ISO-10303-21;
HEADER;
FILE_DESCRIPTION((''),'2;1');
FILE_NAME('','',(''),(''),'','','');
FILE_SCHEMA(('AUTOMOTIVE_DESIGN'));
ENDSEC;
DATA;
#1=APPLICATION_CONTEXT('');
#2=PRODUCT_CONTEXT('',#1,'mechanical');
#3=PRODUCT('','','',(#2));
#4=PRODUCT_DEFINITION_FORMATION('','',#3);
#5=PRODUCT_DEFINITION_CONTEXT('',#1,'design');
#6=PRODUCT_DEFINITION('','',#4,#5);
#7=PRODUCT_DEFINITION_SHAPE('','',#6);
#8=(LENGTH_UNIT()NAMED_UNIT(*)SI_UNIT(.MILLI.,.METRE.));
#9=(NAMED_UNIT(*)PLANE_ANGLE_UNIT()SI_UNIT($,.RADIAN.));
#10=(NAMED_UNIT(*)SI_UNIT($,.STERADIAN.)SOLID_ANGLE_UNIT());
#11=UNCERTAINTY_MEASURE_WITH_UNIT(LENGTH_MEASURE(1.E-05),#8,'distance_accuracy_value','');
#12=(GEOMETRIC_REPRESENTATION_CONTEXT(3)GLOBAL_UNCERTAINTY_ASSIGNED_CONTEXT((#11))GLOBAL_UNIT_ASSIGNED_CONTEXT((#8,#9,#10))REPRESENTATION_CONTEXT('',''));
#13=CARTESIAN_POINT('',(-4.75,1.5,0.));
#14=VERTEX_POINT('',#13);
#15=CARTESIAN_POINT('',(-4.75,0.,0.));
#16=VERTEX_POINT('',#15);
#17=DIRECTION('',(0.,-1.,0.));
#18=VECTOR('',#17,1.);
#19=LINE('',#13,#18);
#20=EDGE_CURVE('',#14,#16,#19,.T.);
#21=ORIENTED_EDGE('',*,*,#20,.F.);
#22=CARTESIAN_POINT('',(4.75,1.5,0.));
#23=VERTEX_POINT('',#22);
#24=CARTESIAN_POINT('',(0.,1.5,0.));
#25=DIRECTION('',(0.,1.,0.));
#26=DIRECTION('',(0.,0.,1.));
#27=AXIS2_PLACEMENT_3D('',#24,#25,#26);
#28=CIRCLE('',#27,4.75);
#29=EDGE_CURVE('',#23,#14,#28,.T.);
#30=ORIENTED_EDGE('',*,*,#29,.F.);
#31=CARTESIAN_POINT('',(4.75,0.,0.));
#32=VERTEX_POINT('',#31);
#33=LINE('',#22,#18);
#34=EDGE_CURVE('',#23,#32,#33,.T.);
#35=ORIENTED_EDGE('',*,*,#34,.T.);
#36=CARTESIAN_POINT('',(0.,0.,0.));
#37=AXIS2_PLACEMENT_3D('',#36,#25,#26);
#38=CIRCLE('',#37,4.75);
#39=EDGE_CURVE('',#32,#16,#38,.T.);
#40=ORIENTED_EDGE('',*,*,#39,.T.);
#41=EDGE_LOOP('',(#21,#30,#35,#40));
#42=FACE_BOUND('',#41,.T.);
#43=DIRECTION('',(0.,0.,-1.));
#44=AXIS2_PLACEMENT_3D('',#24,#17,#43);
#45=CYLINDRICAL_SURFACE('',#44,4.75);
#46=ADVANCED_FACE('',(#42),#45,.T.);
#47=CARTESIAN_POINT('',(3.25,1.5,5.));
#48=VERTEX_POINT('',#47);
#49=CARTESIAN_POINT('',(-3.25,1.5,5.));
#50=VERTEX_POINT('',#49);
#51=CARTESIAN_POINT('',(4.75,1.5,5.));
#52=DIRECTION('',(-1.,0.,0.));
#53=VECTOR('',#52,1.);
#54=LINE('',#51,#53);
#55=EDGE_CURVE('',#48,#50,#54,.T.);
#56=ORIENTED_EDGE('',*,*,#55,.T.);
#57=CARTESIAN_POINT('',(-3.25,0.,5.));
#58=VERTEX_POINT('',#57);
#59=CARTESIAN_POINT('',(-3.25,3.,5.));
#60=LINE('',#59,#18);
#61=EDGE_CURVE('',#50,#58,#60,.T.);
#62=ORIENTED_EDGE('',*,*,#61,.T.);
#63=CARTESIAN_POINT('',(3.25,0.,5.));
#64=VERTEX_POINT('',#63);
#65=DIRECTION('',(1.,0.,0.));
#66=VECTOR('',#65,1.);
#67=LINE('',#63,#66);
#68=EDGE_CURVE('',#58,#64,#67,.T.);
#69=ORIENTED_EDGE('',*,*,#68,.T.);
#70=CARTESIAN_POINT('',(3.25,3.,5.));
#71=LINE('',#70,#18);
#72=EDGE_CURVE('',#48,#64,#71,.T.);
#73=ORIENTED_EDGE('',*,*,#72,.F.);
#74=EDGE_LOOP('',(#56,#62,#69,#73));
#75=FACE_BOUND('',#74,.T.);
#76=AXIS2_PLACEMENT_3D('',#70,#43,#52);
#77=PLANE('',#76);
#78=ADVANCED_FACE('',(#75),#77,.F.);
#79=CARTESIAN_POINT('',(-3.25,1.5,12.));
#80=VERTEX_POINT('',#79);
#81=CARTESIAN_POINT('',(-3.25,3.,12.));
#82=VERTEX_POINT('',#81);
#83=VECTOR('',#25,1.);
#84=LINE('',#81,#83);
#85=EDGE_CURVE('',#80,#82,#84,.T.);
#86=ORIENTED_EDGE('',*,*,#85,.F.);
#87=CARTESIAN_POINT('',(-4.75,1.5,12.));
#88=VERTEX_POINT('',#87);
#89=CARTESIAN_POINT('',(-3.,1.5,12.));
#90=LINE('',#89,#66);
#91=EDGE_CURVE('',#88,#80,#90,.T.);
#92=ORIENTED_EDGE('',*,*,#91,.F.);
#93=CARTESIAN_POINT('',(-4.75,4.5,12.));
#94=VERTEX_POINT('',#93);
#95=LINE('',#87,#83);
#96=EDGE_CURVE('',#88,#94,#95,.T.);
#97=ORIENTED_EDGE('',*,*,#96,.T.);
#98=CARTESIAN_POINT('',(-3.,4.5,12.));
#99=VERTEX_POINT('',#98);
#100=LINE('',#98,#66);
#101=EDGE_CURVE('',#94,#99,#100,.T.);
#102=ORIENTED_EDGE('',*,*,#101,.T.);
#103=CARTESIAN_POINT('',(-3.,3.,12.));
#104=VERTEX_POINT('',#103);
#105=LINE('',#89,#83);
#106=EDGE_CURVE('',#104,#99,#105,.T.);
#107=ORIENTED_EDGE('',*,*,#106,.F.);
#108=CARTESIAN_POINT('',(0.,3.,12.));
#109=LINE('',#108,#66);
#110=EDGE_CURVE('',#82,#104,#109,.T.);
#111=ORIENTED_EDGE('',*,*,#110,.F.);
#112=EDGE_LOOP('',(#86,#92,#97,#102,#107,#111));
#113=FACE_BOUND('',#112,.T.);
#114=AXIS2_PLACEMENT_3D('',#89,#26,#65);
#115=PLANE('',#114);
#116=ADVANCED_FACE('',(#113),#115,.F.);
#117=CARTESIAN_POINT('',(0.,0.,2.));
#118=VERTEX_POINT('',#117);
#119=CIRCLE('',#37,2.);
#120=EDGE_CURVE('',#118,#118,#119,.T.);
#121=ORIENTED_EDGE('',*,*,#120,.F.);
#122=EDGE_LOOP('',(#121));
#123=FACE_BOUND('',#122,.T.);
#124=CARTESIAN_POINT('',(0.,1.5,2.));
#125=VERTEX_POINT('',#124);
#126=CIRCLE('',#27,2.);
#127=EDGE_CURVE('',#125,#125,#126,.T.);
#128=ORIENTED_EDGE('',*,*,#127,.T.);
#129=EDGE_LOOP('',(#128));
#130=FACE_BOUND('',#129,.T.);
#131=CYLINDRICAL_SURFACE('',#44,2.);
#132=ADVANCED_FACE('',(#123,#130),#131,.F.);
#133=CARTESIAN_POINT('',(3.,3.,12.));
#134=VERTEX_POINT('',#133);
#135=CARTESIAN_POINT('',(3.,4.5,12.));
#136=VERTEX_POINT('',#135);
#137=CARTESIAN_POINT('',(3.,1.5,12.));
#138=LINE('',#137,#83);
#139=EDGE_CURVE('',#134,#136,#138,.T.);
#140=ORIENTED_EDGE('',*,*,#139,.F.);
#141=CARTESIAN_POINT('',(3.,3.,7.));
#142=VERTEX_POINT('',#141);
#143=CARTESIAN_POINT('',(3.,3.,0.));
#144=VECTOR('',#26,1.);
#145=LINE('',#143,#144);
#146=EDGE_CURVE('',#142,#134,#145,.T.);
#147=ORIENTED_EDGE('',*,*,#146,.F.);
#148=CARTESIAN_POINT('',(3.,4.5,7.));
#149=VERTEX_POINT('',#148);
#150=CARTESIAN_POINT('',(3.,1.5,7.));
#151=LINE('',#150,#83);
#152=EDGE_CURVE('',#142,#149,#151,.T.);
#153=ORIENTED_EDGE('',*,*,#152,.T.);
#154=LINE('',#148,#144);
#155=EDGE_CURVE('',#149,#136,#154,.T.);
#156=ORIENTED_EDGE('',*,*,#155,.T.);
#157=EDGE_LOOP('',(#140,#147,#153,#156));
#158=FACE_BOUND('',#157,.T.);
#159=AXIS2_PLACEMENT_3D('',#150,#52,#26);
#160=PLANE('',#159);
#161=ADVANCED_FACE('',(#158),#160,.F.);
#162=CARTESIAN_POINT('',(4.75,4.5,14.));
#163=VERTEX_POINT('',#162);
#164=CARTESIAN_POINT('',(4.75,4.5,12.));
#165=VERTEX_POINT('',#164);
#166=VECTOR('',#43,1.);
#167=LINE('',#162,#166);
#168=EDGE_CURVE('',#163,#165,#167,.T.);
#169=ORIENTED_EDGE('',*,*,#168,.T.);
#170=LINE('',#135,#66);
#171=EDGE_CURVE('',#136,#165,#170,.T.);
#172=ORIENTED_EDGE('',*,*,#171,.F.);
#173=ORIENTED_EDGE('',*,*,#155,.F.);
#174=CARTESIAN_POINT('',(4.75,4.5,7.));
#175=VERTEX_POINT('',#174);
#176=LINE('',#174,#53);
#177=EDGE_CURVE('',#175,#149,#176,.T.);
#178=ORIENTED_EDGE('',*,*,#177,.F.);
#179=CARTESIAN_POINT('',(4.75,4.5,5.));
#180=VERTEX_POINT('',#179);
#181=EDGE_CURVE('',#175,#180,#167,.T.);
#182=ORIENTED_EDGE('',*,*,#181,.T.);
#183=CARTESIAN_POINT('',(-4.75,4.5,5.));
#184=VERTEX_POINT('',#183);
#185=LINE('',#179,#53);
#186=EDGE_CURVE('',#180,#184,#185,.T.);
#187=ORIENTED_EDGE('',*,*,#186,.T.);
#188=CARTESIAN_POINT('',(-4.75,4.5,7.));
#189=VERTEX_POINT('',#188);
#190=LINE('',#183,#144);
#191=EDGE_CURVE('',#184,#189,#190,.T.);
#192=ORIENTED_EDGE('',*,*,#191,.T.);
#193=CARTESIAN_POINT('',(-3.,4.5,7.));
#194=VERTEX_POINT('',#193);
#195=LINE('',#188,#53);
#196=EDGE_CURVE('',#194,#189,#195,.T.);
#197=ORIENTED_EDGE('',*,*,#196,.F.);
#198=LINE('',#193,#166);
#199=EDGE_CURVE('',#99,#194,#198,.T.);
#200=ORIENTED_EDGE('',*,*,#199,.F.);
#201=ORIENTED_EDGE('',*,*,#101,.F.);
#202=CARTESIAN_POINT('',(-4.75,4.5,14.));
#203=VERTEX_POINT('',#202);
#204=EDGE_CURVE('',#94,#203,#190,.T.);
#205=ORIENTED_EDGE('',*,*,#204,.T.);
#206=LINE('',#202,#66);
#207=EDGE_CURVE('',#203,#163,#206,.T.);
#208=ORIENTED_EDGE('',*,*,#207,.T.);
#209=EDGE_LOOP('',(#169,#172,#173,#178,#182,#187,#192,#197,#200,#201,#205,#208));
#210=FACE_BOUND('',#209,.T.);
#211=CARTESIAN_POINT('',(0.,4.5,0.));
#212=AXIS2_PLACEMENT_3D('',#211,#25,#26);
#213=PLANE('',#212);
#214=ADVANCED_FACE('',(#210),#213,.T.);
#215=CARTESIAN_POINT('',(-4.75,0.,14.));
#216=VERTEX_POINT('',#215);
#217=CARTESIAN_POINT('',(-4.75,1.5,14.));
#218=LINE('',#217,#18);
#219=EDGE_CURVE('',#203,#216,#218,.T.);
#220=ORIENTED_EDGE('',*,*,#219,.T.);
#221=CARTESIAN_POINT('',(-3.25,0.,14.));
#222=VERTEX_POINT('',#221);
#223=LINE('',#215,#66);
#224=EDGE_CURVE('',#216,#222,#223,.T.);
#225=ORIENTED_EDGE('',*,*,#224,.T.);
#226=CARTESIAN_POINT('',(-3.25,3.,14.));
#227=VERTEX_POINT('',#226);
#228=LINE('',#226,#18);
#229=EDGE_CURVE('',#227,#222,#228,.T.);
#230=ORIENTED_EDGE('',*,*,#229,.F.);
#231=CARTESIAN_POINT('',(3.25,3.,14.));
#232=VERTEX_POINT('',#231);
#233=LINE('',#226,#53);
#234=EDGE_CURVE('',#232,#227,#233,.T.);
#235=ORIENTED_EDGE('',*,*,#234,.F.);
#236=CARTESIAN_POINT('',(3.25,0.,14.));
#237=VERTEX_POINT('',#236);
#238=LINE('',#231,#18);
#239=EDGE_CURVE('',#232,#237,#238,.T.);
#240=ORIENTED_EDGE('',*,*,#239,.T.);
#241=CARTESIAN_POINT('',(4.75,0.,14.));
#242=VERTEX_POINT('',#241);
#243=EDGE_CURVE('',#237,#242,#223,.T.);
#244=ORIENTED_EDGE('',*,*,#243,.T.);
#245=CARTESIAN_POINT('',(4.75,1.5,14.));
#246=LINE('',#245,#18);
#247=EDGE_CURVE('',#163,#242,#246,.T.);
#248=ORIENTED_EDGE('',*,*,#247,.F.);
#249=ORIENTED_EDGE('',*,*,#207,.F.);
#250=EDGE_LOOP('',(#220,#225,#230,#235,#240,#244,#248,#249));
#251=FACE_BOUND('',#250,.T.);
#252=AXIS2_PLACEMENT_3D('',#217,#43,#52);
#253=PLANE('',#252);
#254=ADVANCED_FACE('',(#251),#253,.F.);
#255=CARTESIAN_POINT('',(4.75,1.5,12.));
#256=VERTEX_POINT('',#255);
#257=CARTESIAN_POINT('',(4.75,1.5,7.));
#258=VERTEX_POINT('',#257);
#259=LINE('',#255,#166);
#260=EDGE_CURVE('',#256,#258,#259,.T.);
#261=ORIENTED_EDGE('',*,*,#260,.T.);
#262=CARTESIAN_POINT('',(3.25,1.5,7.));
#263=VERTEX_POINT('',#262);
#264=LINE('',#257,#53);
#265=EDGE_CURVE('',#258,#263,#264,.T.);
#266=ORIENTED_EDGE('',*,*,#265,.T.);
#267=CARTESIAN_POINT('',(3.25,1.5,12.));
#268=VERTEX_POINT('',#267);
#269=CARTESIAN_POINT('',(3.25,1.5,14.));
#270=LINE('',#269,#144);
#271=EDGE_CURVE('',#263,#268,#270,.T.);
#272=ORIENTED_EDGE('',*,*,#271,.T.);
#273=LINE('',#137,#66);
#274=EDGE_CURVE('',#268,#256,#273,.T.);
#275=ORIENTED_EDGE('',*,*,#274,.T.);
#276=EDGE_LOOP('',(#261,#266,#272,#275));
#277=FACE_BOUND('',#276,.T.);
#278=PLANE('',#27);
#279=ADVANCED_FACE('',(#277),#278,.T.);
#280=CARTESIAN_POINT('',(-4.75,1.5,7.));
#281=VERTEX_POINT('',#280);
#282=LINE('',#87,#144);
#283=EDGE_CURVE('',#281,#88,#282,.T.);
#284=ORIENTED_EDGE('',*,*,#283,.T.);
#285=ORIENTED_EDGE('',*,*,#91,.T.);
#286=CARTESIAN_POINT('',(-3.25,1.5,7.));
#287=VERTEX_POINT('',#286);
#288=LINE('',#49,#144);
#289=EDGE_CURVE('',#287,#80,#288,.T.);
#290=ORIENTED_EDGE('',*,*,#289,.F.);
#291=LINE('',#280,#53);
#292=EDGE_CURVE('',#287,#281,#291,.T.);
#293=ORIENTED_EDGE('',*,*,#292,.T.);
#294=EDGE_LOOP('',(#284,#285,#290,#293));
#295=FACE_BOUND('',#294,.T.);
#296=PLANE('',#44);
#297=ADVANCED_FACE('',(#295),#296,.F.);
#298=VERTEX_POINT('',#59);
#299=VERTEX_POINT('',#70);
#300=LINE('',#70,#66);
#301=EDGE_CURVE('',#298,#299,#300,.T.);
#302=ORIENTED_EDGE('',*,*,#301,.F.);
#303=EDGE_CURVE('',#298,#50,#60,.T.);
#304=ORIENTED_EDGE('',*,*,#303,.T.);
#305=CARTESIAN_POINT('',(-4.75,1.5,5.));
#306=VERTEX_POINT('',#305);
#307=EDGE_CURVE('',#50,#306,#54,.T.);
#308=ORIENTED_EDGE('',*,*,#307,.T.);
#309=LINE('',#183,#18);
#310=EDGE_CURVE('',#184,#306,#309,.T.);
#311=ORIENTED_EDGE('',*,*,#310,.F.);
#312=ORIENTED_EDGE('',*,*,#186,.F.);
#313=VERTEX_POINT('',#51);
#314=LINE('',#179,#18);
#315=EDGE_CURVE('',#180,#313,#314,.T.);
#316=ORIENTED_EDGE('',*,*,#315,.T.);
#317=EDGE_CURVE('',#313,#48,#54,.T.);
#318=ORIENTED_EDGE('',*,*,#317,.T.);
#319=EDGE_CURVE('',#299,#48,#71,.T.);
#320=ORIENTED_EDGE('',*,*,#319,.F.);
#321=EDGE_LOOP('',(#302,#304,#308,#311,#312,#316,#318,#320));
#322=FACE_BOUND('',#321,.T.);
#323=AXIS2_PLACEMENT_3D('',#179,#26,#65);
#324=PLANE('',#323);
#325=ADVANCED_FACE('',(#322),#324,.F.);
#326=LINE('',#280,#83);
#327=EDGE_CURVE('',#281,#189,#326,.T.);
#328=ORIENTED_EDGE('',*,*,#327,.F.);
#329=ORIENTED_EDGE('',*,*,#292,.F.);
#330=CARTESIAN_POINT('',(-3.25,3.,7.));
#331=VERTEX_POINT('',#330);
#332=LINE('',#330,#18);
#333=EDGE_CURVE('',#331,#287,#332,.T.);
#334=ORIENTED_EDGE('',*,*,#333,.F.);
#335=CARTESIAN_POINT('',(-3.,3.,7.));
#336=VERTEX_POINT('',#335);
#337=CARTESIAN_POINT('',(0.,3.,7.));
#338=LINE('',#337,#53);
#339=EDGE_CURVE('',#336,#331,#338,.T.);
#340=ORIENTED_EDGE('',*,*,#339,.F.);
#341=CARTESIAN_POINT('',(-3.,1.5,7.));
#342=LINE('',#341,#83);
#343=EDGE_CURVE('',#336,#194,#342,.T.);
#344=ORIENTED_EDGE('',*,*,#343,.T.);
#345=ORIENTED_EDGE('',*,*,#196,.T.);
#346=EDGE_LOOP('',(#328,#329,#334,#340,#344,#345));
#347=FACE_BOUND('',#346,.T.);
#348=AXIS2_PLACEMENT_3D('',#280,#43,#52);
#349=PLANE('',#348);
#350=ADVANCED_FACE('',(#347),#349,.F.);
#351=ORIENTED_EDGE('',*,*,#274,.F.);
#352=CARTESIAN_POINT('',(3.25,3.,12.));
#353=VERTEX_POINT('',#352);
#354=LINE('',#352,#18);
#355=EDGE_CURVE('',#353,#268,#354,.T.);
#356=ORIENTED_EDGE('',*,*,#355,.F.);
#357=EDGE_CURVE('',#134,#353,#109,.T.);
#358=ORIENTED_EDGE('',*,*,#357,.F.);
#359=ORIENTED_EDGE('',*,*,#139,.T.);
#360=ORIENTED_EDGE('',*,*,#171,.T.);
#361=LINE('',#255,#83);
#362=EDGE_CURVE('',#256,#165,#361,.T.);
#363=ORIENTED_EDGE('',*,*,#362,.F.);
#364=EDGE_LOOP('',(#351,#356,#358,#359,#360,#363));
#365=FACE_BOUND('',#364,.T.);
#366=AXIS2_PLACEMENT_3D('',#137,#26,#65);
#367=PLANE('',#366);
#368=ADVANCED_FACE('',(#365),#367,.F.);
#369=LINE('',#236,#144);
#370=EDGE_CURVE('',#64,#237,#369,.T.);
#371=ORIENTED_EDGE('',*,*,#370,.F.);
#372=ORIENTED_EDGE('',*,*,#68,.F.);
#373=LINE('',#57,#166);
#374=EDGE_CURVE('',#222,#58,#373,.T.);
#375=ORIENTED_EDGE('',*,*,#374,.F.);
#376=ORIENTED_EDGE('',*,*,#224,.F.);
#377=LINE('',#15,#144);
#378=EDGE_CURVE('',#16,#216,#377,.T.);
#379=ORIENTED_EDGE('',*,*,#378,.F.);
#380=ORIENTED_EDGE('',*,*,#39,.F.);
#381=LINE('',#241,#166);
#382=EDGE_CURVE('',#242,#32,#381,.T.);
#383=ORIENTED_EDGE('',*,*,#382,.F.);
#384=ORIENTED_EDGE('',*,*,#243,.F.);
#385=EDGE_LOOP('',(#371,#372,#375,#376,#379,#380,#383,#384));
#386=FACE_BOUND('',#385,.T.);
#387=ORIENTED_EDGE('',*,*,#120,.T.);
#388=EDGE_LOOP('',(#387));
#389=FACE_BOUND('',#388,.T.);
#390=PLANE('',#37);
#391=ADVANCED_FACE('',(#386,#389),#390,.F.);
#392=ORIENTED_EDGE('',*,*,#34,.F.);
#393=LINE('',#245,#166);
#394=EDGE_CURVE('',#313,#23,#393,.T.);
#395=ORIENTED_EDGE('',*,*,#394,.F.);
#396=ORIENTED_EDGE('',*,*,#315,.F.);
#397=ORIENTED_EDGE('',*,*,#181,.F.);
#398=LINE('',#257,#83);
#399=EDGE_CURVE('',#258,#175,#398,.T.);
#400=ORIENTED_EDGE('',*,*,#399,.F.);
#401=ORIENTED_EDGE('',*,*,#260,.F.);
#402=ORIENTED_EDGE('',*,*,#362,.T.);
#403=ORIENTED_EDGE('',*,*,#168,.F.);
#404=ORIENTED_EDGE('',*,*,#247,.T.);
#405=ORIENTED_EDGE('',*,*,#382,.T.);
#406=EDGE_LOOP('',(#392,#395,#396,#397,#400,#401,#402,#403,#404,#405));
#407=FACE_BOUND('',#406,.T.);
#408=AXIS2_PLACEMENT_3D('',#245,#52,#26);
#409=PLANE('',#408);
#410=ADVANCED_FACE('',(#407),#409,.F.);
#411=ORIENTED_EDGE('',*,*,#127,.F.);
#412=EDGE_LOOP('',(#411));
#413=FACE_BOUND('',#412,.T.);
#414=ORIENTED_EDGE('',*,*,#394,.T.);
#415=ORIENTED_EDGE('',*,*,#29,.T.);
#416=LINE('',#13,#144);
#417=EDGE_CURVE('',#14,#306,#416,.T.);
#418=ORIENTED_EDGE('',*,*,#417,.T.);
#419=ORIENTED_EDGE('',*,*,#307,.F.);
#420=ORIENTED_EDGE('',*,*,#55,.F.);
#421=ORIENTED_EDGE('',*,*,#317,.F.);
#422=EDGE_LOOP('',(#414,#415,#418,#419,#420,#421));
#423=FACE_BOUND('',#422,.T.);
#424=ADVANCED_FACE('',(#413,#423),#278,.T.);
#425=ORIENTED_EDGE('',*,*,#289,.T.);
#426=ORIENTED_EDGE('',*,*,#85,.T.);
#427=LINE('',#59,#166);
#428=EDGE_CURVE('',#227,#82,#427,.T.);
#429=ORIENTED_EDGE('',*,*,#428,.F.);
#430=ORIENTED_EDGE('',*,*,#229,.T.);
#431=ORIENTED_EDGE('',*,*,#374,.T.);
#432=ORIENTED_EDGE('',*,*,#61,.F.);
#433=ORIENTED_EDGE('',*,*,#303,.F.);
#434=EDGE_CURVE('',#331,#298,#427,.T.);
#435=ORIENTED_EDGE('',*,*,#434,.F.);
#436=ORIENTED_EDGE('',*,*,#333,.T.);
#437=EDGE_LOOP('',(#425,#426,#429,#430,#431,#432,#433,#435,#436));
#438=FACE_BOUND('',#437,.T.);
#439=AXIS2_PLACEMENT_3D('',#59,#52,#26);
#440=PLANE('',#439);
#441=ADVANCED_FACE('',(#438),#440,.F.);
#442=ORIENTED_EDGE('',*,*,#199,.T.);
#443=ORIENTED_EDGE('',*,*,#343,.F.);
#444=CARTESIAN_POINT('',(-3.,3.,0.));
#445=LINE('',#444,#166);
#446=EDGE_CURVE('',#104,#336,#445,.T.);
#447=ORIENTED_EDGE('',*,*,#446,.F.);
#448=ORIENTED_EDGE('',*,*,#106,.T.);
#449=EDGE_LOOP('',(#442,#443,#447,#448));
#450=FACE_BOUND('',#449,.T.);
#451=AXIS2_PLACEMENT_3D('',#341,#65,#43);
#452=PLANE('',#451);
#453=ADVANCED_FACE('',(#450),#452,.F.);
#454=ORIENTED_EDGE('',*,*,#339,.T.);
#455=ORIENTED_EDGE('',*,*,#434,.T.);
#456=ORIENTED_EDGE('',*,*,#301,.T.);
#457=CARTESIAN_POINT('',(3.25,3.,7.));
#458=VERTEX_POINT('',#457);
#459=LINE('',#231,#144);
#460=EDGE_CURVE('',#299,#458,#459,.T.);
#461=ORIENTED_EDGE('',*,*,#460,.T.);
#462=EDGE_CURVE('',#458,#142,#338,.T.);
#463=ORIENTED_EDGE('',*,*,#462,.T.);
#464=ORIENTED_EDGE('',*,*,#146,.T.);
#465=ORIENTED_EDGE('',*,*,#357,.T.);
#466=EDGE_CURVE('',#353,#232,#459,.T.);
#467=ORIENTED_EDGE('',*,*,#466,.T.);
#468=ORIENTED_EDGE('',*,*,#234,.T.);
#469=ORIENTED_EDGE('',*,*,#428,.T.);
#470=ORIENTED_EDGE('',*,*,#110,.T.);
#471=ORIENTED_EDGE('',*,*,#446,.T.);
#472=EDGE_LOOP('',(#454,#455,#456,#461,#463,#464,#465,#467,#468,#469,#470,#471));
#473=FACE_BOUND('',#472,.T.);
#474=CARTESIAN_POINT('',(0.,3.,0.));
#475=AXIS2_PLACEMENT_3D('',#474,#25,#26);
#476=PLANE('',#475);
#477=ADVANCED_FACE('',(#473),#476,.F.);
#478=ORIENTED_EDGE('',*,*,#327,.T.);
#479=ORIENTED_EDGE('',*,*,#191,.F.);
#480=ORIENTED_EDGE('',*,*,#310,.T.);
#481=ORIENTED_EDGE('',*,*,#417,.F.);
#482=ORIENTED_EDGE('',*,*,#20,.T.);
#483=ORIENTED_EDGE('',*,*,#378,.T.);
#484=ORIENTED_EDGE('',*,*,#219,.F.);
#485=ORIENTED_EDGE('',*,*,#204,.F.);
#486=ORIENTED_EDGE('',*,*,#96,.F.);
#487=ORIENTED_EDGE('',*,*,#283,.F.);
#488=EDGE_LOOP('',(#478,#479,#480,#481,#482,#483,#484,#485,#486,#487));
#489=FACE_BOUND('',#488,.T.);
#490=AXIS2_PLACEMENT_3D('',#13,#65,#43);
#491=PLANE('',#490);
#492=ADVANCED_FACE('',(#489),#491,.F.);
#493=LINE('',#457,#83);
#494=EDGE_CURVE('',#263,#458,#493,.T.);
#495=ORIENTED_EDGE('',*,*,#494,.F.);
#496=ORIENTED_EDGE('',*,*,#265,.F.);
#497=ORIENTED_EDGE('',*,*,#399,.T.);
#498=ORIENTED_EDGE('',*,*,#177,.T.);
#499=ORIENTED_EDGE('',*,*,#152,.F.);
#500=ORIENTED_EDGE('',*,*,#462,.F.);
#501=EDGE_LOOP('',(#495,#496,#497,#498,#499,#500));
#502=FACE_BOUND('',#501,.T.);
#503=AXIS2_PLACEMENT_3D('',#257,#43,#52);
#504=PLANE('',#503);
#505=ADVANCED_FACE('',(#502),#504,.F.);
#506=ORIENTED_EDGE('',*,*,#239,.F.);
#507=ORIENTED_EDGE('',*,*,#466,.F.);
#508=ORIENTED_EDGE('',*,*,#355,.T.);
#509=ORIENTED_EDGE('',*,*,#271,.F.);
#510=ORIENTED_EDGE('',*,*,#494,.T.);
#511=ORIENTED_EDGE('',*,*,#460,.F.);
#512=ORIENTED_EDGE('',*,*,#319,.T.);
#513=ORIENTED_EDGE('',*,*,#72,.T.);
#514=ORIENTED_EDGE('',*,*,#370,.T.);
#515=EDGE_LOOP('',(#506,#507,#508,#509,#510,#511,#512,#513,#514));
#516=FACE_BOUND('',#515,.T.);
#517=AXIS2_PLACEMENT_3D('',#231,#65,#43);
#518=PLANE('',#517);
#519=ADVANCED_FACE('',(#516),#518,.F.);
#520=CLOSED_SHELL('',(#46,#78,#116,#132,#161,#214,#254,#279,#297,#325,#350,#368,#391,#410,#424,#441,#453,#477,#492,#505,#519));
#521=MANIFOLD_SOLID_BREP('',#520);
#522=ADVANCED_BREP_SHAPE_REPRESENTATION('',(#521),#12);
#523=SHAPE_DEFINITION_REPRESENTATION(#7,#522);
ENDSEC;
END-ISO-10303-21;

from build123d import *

# Parameters (mm, degrees)
SKETCH_1_R          = 2
EXTRUDE_1_DEPTH     = 1.5
SKETCH_2_W          = 9.5
SKETCH_2_H          = 9
EXTRUDE_2_DEPTH     = 3
SKETCH_3_W          = 6.5
SKETCH_3_H          = 9
CUT_EXTRUDE_1_DEPTH = 3
SKETCH_4_W          = 1.75
SKETCH_4_H          = 5
CUT_EXTRUDE_2_DEPTH = 3


with BuildPart() as part:
    # 草图1 → 凸台-拉伸1 (new body)
    with BuildSketch(Plane(origin=(0, 0, 0), x_dir=(1, 0, 0), z_dir=(0, 1, 0))):
        with BuildLine():
            Line((-4.75, 0), (-4.75, -14))
            Line((-4.75, -14), (4.75, -14))
            Line((4.75, -14), (4.75, 0))
            ThreePointArc((4.75, 0), (0, 4.75), (-4.75, 0))
        make_face()
        Circle(SKETCH_1_R, mode=Mode.SUBTRACT)
    extrude(amount=EXTRUDE_1_DEPTH)

    # 草图2 → 凸台-拉伸2 (add)
    with BuildSketch(Plane(origin=(0, 1.5, 0), x_dir=(1, 0, 0), z_dir=(0, 1, 0))):
        with Locations((0, -9.5)):
            Rectangle(SKETCH_2_W, SKETCH_2_H)
    extrude(amount=EXTRUDE_2_DEPTH)

    # 草图3 → 切除-拉伸1 (cut)
    with BuildSketch(Plane.XZ):
        with Locations((0, 9.5)):
            Rectangle(SKETCH_3_W, SKETCH_3_H)
    extrude(amount=-CUT_EXTRUDE_1_DEPTH, mode=Mode.SUBTRACT)

    # 草图4 → 切除-拉伸2 (cut)
    with BuildSketch(Plane(origin=(0, 4.5, 0), x_dir=(1, 0, 0), z_dir=(0, 1, 0))):
        with Locations((-3.875, -9.5)):
            Rectangle(SKETCH_4_W, SKETCH_4_H)
        with Locations((3.875, -9.5)):
            Rectangle(SKETCH_4_W, SKETCH_4_H)
    extrude(amount=-CUT_EXTRUDE_2_DEPTH, mode=Mode.SUBTRACT)


solid = part.part
